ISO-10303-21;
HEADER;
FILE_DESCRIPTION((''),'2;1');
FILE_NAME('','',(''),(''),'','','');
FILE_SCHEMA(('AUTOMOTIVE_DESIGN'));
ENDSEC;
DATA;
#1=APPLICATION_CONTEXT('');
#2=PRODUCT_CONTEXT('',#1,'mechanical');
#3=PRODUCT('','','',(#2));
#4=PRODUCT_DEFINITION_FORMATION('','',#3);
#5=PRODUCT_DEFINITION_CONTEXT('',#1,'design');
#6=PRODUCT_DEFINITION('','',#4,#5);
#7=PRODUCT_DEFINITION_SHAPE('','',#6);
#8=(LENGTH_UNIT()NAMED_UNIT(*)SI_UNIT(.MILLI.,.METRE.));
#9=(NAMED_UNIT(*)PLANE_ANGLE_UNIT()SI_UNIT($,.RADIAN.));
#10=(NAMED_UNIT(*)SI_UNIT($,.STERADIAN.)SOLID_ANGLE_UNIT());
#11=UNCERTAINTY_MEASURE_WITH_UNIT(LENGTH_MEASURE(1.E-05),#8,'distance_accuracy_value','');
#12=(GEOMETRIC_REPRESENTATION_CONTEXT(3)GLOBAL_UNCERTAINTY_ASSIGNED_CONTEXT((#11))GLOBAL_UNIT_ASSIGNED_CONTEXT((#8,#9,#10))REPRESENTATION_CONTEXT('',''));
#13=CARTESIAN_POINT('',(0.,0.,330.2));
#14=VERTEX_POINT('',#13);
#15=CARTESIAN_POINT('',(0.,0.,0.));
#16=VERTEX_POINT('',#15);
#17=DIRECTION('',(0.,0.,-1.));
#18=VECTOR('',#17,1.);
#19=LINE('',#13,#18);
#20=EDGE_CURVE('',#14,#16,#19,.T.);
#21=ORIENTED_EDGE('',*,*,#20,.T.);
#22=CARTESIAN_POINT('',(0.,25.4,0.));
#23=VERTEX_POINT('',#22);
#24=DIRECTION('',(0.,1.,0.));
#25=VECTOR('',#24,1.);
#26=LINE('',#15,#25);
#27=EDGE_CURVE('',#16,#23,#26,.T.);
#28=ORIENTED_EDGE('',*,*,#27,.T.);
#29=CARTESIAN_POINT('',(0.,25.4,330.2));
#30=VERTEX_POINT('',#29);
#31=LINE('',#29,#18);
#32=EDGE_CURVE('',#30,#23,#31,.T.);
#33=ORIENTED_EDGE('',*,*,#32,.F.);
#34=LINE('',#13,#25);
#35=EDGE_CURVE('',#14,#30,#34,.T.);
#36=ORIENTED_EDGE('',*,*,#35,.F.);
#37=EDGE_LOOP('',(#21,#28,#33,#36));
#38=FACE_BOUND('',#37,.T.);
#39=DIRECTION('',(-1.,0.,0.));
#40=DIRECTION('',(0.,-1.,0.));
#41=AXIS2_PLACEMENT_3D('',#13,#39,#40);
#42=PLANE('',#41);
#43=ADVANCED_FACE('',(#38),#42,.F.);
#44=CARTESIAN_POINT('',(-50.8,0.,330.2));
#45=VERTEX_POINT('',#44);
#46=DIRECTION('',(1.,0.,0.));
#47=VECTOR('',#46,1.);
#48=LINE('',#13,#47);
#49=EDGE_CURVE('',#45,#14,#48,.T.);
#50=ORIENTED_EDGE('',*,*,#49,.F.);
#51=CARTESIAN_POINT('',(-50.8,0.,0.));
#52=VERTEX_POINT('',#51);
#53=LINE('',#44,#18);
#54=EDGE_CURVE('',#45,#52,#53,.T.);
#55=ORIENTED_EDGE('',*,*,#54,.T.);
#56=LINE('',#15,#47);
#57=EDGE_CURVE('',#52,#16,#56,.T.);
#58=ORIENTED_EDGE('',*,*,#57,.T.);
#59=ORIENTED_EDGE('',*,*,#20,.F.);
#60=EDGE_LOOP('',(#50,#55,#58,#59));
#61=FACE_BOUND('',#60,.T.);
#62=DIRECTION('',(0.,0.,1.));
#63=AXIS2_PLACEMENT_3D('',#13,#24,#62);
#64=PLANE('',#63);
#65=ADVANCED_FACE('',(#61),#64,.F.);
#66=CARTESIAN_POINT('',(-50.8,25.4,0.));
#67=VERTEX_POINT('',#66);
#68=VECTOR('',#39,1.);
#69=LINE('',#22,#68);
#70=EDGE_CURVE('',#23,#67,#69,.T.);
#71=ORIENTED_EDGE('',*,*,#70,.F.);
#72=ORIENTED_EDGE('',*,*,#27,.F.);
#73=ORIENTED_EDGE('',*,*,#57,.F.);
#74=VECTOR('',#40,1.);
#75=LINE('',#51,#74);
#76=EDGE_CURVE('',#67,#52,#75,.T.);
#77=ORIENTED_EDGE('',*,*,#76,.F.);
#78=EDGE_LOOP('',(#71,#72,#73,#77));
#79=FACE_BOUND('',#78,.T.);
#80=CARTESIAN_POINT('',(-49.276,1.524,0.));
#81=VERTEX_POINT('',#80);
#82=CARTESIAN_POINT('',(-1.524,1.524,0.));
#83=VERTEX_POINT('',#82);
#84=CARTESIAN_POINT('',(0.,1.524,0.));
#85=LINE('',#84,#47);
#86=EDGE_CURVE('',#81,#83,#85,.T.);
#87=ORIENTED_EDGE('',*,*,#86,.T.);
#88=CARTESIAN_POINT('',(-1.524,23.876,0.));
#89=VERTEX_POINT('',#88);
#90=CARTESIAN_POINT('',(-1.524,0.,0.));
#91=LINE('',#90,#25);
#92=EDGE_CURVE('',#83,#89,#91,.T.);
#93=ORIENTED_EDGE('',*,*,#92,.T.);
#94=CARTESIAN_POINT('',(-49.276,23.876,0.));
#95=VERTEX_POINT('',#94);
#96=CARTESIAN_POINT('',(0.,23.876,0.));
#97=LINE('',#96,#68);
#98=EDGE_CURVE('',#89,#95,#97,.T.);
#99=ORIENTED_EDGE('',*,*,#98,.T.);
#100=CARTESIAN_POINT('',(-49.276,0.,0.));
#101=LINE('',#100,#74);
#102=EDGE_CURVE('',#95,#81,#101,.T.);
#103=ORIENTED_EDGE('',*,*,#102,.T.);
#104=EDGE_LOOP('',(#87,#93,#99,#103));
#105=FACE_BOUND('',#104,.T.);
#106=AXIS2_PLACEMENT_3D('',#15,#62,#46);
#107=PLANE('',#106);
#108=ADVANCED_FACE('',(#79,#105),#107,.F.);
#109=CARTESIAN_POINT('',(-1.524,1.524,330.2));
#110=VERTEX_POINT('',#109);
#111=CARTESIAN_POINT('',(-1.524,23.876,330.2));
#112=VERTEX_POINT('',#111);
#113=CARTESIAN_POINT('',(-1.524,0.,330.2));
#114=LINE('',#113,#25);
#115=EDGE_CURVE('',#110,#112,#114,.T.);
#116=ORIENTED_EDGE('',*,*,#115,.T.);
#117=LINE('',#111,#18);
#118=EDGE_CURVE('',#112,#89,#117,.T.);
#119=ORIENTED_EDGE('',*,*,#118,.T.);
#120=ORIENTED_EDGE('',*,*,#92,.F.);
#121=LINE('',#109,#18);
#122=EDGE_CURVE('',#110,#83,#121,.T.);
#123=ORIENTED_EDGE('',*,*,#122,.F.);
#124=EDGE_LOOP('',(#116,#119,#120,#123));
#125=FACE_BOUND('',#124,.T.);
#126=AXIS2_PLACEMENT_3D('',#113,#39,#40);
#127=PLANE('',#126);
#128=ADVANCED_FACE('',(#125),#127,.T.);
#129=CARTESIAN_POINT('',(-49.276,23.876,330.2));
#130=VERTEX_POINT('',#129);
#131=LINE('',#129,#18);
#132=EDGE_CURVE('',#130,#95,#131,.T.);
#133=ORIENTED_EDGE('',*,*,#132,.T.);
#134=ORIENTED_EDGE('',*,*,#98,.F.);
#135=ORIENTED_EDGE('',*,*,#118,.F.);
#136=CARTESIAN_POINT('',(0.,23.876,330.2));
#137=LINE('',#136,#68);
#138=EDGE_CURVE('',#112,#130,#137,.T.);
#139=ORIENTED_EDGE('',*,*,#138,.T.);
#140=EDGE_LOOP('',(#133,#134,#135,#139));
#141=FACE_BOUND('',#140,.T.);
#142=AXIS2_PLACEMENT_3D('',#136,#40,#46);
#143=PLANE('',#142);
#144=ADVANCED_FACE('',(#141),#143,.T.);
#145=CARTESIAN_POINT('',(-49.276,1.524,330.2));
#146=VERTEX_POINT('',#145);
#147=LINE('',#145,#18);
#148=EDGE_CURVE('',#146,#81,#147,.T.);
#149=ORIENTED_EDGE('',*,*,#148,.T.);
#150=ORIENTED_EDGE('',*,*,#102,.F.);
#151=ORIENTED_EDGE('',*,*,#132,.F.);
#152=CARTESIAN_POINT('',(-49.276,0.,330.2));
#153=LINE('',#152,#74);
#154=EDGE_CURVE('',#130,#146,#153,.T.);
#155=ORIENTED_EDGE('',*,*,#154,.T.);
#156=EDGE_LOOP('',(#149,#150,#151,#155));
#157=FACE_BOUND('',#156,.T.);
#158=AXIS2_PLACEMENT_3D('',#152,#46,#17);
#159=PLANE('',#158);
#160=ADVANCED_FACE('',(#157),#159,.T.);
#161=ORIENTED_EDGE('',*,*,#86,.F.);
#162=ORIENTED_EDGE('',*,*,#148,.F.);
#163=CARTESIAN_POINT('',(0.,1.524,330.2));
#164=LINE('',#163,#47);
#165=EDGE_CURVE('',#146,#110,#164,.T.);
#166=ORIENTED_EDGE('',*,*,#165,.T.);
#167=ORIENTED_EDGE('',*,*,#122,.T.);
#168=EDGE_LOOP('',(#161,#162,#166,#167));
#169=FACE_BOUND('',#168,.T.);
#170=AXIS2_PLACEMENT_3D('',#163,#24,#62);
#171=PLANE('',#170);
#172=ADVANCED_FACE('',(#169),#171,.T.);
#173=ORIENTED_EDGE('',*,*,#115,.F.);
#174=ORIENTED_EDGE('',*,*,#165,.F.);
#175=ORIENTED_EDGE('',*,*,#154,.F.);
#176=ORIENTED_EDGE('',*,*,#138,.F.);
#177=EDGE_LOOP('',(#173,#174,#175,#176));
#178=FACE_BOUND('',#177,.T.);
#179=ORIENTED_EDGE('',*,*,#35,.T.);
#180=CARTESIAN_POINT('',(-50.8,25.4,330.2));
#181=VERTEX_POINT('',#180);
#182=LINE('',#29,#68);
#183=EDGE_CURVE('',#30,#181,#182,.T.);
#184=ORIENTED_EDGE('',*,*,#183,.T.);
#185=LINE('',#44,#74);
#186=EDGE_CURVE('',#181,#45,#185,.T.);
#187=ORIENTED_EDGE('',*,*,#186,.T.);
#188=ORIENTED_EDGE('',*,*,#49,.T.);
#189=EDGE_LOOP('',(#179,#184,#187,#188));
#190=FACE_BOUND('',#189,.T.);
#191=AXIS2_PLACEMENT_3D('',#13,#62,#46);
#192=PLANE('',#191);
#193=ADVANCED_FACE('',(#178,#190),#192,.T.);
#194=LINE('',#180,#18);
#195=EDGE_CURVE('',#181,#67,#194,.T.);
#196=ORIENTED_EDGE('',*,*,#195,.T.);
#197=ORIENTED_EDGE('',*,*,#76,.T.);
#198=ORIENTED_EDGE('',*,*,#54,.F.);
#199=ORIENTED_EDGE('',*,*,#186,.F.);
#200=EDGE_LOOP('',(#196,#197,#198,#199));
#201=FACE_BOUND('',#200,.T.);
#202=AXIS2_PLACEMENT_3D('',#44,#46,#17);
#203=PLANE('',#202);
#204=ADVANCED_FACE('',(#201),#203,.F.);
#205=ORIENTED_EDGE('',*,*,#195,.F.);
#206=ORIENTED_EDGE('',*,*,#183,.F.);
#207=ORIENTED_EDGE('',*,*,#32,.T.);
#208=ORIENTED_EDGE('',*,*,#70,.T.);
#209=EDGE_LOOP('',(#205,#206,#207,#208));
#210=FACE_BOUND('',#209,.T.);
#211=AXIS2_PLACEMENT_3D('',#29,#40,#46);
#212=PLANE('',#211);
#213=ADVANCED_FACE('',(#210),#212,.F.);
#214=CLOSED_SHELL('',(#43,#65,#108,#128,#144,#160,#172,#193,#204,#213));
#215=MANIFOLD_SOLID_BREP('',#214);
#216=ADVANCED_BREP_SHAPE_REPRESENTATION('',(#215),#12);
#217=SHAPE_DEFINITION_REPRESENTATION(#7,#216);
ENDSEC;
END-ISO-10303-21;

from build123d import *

# Parameters (mm, degrees)
SKETCH1_W           = 50.8
SKETCH1_H           = 25.4
SKETCH1_W_2         = 47.752
SKETCH1_H_2         = 22.352
EXTRUDE_THIN1_DEPTH = 330.2


with BuildPart() as part:
    # Sketch1 → Extrude-Thin1 (new body)
    with BuildSketch(Plane.XY):
        with Locations((-25.4, 12.7)):
            Rectangle(SKETCH1_W, SKETCH1_H)
        with Locations((-25.4, 12.7)):
            Rectangle(SKETCH1_W_2, SKETCH1_H_2, mode=Mode.SUBTRACT)
    extrude(amount=EXTRUDE_THIN1_DEPTH)


solid = part.part
